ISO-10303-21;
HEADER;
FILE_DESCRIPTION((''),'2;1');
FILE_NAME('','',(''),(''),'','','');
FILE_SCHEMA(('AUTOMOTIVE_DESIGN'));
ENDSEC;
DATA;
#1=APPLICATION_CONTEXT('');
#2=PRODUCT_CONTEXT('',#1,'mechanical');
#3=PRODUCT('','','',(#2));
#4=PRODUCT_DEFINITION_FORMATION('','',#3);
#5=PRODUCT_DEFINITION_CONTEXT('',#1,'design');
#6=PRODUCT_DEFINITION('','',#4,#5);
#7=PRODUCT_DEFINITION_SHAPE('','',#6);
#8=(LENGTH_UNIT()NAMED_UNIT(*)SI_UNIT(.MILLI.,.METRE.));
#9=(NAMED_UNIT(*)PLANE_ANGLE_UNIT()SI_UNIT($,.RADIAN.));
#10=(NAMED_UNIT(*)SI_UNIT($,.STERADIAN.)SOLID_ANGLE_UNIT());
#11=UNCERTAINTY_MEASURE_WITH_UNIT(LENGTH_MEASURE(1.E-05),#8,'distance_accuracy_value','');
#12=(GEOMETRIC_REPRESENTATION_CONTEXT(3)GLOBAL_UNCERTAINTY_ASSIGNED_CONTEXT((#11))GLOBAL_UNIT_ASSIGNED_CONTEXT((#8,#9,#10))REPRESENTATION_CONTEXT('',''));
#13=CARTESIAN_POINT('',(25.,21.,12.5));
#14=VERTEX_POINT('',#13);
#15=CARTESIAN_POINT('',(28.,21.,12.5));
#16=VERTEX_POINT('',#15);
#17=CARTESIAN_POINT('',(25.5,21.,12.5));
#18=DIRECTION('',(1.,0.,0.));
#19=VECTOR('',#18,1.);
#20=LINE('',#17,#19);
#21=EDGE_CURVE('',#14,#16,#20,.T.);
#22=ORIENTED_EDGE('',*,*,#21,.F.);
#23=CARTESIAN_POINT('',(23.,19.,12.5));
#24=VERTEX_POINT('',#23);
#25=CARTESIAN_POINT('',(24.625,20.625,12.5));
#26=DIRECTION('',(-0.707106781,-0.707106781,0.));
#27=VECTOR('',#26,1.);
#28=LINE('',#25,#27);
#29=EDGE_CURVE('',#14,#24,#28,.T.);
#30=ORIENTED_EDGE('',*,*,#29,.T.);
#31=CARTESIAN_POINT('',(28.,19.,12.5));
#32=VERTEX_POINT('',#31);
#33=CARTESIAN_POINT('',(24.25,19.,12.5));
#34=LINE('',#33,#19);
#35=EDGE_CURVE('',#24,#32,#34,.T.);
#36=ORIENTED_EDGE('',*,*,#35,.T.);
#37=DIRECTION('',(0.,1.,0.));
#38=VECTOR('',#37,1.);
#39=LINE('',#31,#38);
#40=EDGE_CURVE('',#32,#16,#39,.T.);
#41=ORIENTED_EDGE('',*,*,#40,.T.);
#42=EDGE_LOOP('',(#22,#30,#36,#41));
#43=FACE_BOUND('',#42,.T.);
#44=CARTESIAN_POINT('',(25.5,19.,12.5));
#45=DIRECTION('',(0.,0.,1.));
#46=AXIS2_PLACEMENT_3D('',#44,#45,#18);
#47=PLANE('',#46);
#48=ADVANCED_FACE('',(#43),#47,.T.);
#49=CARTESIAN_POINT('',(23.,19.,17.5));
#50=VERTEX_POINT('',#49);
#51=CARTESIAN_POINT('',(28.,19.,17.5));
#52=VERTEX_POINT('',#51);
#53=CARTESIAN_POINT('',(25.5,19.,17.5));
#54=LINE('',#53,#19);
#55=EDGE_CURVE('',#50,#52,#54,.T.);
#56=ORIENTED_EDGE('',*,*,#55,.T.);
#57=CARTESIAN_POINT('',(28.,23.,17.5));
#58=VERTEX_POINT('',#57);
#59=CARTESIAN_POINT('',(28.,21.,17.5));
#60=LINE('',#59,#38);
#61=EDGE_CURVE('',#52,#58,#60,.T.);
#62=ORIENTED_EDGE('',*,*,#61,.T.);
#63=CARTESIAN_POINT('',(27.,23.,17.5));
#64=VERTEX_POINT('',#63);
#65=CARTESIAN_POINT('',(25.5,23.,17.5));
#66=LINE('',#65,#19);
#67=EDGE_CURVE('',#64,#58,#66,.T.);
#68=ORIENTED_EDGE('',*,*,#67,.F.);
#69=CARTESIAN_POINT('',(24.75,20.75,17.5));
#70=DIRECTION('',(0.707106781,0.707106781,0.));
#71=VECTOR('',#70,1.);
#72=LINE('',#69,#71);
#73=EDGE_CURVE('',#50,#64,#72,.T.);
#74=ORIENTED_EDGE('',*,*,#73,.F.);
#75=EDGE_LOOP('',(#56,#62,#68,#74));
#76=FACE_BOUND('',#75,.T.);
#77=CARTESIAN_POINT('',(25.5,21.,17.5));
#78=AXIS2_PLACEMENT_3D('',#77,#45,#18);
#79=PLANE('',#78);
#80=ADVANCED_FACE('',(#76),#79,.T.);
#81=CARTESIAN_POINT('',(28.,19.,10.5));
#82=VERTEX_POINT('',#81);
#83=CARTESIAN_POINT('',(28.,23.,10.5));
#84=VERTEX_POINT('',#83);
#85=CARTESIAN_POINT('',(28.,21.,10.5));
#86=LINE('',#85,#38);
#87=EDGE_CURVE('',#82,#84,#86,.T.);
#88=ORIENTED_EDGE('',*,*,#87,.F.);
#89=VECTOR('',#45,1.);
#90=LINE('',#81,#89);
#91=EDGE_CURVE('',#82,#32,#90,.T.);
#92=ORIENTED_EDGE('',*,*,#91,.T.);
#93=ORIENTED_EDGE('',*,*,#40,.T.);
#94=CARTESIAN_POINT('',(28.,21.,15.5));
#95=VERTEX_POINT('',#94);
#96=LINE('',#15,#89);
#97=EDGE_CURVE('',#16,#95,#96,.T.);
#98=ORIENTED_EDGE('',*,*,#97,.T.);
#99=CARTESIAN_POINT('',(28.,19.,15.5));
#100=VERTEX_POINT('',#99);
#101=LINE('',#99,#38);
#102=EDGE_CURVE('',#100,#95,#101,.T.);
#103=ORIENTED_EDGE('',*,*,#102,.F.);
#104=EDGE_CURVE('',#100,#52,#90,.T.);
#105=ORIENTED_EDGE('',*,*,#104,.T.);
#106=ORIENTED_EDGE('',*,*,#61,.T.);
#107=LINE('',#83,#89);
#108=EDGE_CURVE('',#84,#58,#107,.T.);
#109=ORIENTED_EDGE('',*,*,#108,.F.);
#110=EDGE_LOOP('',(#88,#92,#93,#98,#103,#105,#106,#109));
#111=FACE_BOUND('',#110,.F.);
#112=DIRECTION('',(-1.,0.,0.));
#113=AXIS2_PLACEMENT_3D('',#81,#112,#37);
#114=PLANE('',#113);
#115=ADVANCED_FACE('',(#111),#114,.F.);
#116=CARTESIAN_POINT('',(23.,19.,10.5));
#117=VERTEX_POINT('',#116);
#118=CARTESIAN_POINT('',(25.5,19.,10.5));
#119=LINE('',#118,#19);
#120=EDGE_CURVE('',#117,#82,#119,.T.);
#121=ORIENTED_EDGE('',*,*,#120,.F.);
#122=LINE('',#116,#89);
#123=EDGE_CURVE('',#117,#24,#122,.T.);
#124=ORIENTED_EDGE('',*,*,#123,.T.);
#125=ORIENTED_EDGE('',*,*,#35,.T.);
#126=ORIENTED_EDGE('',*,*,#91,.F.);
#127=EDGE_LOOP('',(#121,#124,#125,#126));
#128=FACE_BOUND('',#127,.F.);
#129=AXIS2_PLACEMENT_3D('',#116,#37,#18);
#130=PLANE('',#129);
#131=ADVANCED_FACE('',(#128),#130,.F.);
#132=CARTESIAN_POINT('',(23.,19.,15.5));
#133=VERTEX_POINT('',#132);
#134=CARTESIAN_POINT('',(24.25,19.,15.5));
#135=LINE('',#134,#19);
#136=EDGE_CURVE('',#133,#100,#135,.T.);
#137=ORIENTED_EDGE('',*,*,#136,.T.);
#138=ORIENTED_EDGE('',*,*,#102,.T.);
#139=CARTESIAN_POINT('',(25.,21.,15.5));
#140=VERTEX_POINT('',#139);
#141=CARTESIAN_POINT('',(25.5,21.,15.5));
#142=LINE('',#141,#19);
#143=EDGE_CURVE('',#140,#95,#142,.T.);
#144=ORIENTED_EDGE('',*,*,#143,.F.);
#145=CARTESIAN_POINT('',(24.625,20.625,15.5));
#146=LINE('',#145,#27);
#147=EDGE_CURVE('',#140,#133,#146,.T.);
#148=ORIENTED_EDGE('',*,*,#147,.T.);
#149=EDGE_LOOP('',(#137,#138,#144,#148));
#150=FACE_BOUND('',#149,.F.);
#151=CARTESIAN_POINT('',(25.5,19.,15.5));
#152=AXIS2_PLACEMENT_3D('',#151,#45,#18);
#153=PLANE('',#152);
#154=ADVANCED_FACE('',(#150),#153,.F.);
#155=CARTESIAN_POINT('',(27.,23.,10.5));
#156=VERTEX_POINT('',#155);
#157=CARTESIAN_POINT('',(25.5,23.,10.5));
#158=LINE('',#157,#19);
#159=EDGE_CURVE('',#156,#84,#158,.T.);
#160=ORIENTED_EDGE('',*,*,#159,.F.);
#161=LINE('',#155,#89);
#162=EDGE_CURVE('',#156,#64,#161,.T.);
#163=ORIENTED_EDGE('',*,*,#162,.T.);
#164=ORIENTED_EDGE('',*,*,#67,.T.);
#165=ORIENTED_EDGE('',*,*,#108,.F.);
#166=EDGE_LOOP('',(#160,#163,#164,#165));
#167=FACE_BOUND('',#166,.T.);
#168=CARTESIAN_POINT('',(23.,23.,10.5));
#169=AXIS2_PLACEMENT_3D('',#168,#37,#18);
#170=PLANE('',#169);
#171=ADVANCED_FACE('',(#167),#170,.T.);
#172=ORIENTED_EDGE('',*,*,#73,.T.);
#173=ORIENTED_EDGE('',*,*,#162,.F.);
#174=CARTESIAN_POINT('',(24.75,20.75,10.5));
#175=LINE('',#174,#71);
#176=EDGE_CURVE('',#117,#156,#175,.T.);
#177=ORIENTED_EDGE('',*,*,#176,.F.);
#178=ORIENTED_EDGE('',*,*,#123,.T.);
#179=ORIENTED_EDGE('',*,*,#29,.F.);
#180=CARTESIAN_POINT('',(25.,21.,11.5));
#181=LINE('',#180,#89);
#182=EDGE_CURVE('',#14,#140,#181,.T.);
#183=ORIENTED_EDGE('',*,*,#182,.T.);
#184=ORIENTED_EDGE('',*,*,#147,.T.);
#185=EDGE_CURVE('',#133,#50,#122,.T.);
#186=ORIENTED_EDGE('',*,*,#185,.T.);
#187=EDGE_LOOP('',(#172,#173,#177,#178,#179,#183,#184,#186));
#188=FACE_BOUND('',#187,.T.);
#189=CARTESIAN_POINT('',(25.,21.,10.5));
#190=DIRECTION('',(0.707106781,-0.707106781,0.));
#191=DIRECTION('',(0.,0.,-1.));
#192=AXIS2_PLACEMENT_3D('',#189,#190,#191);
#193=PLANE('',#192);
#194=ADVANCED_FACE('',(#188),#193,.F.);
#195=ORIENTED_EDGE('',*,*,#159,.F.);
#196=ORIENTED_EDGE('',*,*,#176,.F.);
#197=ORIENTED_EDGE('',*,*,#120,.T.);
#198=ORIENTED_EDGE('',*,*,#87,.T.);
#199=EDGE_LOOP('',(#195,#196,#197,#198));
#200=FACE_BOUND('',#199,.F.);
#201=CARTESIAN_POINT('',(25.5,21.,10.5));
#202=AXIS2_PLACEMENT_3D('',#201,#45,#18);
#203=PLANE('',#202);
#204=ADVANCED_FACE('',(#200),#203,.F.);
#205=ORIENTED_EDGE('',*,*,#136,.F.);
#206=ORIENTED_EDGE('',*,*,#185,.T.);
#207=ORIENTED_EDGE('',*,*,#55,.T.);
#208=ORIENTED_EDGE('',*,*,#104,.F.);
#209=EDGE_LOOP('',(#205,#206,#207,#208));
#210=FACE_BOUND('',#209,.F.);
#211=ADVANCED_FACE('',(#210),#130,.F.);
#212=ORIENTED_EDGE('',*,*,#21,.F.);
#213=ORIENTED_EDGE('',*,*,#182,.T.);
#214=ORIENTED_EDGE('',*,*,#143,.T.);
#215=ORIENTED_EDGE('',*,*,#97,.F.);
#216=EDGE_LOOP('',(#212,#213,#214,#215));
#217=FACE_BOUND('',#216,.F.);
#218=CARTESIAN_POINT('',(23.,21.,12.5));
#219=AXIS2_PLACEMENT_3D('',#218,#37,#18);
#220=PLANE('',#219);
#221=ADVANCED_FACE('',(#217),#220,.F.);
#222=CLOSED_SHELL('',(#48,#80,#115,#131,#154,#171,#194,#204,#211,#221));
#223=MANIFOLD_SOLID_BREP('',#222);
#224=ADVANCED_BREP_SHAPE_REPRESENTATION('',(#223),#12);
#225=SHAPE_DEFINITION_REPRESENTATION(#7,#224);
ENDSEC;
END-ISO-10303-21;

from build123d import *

# Parameters (mm, degrees)
BOX063002_W           = 9
BOX063002_H           = 7
BOX063002_DEPTH       = 7
CHAMFER005021016_SIZE = 4
BOX063003_W           = 5
BOX063003_H           = 4
BOX063003_DEPTH       = 3
BOX063004_W           = 5
BOX063004_H           = 4
BOX063004_DEPTH       = 7


with BuildPart() as chamfer005021017:
    # Box063002 → Box063002 (new body)
    with BuildSketch(Plane(origin=(23, 30, 0), x_dir=(1, 0, 0), z_dir=(0, 0, 1))):
        with Locations((4.5, 3.5)):
            Rectangle(BOX063002_W, BOX063002_H)
    extrude(amount=BOX063002_DEPTH)

    # Chamfer005021016
    chamfer005021016_edges = [chamfer005021017.edges().sort_by_distance(p)[0] for p in [
        (32, 30, 3.5),
    ]]
    chamfer(chamfer005021016_edges, length=CHAMFER005021016_SIZE)


with BuildPart() as chamfer005021017_1:
    # Chamfer005021016 placement: moved
    add(chamfer005021017.part.moved(Location((-5, -11, 0))))


with BuildPart() as cube061:
    # Box063003 → Box063003 (new body)
    with BuildSketch(Plane(origin=(23, 17, 2), x_dir=(1, 0, 0), z_dir=(0, 0, 1))):
        with Locations((2.5, 2)):
            Rectangle(BOX063003_W, BOX063003_H)
    extrude(amount=BOX063003_DEPTH)


with BuildPart() as cable_mounter:
    # Box063004 → Box063004 (new body)
    with BuildSketch(Plane(origin=(23, 19, 0), x_dir=(1, 0, 0), z_dir=(0, 0, 1))):
        with Locations((2.5, 2)):
            Rectangle(BOX063004_W, BOX063004_H)
    extrude(amount=BOX063004_DEPTH)

    # Cut036009013017007008007: cut Cube061
    add(cube061.part, mode=Mode.SUBTRACT)

    # Cut036009013017007008008: cut Chamfer005021017
    add(chamfer005021017_1.part, mode=Mode.SUBTRACT)


with BuildPart() as cable_mounter_1:
    # Cut036009013017007008008 placement: moved
    add(cable_mounter.part.moved(Location((0, 0, 10.5))))


solid = cable_mounter_1.part
